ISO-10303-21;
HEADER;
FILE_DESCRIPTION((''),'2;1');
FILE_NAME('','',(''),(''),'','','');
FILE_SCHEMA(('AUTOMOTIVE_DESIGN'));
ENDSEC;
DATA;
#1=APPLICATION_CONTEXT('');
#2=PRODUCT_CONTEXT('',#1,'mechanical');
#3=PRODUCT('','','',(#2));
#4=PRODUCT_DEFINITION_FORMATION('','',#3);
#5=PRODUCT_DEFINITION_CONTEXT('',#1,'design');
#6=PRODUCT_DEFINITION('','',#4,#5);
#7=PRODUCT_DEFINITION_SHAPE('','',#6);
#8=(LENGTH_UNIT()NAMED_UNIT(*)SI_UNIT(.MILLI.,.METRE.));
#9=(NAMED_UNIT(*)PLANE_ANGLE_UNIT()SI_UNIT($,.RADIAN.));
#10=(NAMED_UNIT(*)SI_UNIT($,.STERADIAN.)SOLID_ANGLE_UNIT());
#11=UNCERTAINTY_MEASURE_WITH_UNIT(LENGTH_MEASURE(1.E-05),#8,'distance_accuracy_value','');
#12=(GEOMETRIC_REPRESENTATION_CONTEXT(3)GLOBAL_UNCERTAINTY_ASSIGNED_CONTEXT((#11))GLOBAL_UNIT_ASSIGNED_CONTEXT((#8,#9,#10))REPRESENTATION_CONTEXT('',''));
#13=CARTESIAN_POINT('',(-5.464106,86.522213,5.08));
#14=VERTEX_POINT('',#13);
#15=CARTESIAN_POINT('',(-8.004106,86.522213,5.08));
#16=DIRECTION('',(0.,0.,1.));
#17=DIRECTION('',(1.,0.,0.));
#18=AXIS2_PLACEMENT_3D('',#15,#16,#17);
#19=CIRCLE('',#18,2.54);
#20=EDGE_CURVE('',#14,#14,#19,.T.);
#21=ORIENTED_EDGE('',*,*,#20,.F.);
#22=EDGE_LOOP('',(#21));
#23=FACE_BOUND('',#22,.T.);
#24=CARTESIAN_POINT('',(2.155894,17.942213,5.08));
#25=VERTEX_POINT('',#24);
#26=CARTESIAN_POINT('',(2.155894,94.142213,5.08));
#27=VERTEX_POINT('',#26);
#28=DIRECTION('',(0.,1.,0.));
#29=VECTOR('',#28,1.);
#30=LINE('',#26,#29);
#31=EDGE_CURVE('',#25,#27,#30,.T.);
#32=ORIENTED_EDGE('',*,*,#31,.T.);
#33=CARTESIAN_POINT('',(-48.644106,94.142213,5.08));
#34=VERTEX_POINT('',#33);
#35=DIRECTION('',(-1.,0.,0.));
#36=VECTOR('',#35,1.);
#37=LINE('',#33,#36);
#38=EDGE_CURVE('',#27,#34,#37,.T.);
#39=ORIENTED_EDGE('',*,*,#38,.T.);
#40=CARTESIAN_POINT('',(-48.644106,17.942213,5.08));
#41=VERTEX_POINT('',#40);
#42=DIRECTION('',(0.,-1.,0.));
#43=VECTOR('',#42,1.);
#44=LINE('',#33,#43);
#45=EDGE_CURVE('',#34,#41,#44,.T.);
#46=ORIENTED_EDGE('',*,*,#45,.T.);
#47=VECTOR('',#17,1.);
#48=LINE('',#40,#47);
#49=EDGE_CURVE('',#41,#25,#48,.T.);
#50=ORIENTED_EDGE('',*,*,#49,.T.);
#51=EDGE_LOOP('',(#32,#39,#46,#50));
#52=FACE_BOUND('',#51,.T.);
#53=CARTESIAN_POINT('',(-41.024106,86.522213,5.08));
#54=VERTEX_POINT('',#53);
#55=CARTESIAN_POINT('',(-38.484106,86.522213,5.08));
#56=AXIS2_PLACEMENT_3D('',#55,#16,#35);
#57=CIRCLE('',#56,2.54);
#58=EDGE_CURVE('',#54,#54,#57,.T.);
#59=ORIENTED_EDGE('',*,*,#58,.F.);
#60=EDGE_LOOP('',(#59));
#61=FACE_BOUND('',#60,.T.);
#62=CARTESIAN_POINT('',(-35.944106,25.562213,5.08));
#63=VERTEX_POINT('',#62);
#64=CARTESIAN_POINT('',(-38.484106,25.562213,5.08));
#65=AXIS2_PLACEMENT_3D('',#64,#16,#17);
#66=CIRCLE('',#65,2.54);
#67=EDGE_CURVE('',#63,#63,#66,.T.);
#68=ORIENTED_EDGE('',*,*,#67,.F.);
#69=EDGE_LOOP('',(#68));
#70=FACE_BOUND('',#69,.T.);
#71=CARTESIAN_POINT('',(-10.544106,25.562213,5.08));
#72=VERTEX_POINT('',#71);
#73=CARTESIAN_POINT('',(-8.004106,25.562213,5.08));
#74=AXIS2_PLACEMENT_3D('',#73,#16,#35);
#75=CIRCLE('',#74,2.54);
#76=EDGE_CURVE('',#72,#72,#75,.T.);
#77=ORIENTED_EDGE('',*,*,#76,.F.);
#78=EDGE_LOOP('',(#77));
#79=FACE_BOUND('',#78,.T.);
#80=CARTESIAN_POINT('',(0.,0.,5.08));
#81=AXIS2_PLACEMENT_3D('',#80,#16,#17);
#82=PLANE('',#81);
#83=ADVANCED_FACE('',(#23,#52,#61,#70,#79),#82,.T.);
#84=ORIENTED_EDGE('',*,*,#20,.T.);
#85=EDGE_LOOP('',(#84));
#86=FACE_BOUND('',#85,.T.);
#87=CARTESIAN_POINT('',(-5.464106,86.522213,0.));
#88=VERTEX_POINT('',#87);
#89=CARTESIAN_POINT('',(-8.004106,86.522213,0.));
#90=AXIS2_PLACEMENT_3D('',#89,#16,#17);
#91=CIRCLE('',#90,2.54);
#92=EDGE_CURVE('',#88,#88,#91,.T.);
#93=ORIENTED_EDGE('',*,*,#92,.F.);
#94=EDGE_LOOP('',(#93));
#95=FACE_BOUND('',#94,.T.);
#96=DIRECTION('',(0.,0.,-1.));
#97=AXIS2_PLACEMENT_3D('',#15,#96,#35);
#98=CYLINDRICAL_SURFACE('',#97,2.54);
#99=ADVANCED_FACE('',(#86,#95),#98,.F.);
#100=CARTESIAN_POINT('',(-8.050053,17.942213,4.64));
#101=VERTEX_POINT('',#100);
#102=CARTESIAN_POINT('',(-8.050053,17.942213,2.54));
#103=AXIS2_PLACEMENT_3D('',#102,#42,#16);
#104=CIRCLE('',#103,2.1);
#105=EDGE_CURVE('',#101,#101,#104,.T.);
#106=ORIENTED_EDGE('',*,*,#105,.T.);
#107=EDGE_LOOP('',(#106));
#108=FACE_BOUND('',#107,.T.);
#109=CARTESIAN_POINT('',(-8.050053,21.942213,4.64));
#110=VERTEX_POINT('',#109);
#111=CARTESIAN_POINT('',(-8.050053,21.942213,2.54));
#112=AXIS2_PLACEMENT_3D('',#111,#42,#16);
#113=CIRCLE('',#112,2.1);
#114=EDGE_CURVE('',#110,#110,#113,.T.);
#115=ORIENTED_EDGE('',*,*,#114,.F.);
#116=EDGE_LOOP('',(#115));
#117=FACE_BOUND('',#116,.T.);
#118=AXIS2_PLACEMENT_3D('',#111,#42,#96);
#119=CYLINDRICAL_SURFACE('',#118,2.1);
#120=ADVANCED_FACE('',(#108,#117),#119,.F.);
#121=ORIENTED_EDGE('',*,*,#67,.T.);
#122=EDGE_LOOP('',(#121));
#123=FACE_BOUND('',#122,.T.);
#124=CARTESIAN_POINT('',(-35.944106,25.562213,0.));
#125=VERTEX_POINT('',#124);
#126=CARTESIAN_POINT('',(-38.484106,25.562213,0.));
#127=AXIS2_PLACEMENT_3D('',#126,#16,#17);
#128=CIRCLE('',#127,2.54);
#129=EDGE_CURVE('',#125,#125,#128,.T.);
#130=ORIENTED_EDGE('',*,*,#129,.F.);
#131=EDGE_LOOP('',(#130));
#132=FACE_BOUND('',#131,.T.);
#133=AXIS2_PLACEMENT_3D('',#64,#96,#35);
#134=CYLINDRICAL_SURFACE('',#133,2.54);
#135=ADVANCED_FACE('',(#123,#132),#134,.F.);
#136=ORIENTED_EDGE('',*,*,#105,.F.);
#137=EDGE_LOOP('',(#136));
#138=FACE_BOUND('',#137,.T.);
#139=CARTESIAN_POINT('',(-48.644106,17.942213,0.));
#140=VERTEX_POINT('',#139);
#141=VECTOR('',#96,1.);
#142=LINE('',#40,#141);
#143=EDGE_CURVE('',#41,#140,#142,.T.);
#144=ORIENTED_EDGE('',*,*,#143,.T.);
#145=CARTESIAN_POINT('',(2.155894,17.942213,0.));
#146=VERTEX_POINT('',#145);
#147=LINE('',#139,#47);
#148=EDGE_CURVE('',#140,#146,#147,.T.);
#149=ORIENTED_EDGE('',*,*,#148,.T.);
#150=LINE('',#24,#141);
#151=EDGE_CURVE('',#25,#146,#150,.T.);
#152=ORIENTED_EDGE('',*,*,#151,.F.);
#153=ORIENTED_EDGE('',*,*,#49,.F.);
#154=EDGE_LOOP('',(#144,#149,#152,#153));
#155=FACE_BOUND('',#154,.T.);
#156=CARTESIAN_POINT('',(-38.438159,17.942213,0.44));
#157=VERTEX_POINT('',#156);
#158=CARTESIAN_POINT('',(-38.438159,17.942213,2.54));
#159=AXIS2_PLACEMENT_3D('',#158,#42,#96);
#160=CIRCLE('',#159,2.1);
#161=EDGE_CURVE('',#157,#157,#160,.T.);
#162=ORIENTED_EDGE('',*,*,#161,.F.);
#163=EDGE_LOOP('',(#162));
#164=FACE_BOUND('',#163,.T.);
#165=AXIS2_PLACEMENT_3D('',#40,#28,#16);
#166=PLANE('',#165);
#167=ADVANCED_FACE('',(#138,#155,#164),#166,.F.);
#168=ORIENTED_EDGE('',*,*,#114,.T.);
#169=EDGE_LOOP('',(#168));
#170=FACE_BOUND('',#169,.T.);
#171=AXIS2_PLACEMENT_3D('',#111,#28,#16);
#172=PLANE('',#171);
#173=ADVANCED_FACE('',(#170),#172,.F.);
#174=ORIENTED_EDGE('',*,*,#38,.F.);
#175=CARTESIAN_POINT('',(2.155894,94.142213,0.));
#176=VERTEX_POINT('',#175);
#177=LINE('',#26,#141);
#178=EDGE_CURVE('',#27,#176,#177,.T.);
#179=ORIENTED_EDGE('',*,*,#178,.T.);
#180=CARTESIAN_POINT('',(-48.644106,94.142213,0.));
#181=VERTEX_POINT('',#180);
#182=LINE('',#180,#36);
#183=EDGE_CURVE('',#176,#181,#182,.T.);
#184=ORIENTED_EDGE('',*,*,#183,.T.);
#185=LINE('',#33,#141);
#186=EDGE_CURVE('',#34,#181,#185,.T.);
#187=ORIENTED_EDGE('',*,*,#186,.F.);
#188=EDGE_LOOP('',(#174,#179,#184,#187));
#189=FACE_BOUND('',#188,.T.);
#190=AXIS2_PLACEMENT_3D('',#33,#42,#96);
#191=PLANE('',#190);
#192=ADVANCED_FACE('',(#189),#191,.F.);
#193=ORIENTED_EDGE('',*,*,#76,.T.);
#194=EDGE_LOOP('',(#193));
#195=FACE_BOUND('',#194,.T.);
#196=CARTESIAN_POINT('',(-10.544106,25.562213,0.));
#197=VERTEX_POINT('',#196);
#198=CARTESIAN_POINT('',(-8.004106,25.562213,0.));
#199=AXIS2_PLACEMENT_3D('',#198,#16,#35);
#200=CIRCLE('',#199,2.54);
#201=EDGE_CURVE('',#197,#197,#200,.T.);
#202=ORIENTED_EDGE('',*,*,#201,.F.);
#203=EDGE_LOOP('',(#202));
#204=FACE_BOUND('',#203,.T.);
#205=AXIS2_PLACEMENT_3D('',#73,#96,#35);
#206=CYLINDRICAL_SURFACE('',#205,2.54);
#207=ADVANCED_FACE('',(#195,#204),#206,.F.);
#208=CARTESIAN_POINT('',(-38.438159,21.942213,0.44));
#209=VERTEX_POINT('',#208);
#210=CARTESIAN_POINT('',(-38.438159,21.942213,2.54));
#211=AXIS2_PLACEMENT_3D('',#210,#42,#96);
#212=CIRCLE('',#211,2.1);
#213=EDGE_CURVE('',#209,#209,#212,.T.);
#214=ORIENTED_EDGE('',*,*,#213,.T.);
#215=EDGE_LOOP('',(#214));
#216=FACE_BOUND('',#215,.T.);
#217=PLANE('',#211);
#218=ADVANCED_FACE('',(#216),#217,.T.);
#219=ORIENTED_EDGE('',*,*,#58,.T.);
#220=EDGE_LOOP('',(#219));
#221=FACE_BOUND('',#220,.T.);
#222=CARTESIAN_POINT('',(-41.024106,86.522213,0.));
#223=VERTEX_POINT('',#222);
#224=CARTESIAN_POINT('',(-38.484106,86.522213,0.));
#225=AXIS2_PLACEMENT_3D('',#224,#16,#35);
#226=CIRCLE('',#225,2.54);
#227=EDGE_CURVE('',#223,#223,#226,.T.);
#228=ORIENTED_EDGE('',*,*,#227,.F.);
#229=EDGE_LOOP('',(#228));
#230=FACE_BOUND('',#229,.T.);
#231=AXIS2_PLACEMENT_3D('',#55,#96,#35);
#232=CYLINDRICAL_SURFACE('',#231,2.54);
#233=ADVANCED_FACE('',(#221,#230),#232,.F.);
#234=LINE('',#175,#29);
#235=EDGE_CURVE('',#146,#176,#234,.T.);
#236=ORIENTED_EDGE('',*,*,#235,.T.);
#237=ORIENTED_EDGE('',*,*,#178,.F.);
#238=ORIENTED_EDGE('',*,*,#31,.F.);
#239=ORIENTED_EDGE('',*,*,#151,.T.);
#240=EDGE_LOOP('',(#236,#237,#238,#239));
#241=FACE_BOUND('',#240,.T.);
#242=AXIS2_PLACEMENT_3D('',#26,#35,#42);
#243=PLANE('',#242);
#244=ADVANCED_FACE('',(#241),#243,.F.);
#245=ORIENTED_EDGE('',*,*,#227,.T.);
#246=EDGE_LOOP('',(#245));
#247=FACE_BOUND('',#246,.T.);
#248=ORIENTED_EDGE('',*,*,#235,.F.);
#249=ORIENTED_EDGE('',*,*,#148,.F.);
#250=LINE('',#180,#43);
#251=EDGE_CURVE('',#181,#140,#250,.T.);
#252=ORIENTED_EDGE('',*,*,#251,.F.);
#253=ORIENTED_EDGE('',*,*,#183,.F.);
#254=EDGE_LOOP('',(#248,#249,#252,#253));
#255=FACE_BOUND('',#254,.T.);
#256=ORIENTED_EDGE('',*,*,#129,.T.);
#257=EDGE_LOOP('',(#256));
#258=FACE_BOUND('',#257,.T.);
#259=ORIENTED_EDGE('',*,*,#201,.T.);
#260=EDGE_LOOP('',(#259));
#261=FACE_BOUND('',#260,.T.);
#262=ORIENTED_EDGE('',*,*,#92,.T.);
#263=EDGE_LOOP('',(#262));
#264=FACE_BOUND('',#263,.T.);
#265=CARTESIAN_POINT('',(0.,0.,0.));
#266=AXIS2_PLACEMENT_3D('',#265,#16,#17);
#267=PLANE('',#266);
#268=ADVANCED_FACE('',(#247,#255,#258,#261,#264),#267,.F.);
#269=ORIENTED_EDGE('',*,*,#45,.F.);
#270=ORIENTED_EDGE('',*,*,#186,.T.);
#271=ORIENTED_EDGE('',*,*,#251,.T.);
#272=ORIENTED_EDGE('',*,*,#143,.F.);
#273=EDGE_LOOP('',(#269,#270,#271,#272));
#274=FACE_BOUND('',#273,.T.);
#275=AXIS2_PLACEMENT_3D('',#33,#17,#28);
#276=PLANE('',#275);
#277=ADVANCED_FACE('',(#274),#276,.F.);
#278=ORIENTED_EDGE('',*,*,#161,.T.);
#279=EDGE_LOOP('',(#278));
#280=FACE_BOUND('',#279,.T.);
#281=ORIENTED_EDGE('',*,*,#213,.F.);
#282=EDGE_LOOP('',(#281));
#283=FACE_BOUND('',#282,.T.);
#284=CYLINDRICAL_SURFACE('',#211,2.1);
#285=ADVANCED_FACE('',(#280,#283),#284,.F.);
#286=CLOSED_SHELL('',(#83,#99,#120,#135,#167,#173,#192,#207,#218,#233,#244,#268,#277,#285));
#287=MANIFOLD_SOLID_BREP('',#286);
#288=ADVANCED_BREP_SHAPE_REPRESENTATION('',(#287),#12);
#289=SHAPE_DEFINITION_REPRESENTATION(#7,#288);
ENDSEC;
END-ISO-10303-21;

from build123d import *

# Parameters (mm, degrees)
SKETCH1_W           = 50.8
SKETCH1_H           = 76.2
SKETCH1_R           = 2.54
BOSS_EXTRUDE1_DEPTH = 5.08
SKETCH2_R           = 2.1
CUT_EXTRUDE1_DEPTH  = 4


with BuildPart() as part:
    # Sketch1 → Boss-Extrude1 (new body)
    with BuildSketch(Plane.XY):
        with Locations((-23.244105975, 56.042212855)):
            Rectangle(SKETCH1_W, SKETCH1_H)
        with Locations((-38.484105975, 25.562212855)):
            Circle(SKETCH1_R, mode=Mode.SUBTRACT)
        with Locations(Location((-8.004105975, 25.562212855, 0), (0, 0, 180))):
            Circle(SKETCH1_R, mode=Mode.SUBTRACT)
        with Locations((-8.004105975, 86.522212855)):
            Circle(SKETCH1_R, mode=Mode.SUBTRACT)
        with Locations(Location((-38.484105975, 86.522212855, 0), (0, 0, 180))):
            Circle(SKETCH1_R, mode=Mode.SUBTRACT)
    extrude(amount=BOSS_EXTRUDE1_DEPTH)

    # Sketch2 → Cut-Extrude1 (cut)
    with BuildSketch(Plane.XZ.offset(-17.942212855)):
        with Locations(Location((-38.438159235, 2.54, 0), (0, 0, 270))):
            Circle(SKETCH2_R)
        with Locations(Location((-8.050052715, 2.54, 0), (0, 0, 90))):
            Circle(SKETCH2_R)
    extrude(amount=-CUT_EXTRUDE1_DEPTH, mode=Mode.SUBTRACT)


solid = part.part
